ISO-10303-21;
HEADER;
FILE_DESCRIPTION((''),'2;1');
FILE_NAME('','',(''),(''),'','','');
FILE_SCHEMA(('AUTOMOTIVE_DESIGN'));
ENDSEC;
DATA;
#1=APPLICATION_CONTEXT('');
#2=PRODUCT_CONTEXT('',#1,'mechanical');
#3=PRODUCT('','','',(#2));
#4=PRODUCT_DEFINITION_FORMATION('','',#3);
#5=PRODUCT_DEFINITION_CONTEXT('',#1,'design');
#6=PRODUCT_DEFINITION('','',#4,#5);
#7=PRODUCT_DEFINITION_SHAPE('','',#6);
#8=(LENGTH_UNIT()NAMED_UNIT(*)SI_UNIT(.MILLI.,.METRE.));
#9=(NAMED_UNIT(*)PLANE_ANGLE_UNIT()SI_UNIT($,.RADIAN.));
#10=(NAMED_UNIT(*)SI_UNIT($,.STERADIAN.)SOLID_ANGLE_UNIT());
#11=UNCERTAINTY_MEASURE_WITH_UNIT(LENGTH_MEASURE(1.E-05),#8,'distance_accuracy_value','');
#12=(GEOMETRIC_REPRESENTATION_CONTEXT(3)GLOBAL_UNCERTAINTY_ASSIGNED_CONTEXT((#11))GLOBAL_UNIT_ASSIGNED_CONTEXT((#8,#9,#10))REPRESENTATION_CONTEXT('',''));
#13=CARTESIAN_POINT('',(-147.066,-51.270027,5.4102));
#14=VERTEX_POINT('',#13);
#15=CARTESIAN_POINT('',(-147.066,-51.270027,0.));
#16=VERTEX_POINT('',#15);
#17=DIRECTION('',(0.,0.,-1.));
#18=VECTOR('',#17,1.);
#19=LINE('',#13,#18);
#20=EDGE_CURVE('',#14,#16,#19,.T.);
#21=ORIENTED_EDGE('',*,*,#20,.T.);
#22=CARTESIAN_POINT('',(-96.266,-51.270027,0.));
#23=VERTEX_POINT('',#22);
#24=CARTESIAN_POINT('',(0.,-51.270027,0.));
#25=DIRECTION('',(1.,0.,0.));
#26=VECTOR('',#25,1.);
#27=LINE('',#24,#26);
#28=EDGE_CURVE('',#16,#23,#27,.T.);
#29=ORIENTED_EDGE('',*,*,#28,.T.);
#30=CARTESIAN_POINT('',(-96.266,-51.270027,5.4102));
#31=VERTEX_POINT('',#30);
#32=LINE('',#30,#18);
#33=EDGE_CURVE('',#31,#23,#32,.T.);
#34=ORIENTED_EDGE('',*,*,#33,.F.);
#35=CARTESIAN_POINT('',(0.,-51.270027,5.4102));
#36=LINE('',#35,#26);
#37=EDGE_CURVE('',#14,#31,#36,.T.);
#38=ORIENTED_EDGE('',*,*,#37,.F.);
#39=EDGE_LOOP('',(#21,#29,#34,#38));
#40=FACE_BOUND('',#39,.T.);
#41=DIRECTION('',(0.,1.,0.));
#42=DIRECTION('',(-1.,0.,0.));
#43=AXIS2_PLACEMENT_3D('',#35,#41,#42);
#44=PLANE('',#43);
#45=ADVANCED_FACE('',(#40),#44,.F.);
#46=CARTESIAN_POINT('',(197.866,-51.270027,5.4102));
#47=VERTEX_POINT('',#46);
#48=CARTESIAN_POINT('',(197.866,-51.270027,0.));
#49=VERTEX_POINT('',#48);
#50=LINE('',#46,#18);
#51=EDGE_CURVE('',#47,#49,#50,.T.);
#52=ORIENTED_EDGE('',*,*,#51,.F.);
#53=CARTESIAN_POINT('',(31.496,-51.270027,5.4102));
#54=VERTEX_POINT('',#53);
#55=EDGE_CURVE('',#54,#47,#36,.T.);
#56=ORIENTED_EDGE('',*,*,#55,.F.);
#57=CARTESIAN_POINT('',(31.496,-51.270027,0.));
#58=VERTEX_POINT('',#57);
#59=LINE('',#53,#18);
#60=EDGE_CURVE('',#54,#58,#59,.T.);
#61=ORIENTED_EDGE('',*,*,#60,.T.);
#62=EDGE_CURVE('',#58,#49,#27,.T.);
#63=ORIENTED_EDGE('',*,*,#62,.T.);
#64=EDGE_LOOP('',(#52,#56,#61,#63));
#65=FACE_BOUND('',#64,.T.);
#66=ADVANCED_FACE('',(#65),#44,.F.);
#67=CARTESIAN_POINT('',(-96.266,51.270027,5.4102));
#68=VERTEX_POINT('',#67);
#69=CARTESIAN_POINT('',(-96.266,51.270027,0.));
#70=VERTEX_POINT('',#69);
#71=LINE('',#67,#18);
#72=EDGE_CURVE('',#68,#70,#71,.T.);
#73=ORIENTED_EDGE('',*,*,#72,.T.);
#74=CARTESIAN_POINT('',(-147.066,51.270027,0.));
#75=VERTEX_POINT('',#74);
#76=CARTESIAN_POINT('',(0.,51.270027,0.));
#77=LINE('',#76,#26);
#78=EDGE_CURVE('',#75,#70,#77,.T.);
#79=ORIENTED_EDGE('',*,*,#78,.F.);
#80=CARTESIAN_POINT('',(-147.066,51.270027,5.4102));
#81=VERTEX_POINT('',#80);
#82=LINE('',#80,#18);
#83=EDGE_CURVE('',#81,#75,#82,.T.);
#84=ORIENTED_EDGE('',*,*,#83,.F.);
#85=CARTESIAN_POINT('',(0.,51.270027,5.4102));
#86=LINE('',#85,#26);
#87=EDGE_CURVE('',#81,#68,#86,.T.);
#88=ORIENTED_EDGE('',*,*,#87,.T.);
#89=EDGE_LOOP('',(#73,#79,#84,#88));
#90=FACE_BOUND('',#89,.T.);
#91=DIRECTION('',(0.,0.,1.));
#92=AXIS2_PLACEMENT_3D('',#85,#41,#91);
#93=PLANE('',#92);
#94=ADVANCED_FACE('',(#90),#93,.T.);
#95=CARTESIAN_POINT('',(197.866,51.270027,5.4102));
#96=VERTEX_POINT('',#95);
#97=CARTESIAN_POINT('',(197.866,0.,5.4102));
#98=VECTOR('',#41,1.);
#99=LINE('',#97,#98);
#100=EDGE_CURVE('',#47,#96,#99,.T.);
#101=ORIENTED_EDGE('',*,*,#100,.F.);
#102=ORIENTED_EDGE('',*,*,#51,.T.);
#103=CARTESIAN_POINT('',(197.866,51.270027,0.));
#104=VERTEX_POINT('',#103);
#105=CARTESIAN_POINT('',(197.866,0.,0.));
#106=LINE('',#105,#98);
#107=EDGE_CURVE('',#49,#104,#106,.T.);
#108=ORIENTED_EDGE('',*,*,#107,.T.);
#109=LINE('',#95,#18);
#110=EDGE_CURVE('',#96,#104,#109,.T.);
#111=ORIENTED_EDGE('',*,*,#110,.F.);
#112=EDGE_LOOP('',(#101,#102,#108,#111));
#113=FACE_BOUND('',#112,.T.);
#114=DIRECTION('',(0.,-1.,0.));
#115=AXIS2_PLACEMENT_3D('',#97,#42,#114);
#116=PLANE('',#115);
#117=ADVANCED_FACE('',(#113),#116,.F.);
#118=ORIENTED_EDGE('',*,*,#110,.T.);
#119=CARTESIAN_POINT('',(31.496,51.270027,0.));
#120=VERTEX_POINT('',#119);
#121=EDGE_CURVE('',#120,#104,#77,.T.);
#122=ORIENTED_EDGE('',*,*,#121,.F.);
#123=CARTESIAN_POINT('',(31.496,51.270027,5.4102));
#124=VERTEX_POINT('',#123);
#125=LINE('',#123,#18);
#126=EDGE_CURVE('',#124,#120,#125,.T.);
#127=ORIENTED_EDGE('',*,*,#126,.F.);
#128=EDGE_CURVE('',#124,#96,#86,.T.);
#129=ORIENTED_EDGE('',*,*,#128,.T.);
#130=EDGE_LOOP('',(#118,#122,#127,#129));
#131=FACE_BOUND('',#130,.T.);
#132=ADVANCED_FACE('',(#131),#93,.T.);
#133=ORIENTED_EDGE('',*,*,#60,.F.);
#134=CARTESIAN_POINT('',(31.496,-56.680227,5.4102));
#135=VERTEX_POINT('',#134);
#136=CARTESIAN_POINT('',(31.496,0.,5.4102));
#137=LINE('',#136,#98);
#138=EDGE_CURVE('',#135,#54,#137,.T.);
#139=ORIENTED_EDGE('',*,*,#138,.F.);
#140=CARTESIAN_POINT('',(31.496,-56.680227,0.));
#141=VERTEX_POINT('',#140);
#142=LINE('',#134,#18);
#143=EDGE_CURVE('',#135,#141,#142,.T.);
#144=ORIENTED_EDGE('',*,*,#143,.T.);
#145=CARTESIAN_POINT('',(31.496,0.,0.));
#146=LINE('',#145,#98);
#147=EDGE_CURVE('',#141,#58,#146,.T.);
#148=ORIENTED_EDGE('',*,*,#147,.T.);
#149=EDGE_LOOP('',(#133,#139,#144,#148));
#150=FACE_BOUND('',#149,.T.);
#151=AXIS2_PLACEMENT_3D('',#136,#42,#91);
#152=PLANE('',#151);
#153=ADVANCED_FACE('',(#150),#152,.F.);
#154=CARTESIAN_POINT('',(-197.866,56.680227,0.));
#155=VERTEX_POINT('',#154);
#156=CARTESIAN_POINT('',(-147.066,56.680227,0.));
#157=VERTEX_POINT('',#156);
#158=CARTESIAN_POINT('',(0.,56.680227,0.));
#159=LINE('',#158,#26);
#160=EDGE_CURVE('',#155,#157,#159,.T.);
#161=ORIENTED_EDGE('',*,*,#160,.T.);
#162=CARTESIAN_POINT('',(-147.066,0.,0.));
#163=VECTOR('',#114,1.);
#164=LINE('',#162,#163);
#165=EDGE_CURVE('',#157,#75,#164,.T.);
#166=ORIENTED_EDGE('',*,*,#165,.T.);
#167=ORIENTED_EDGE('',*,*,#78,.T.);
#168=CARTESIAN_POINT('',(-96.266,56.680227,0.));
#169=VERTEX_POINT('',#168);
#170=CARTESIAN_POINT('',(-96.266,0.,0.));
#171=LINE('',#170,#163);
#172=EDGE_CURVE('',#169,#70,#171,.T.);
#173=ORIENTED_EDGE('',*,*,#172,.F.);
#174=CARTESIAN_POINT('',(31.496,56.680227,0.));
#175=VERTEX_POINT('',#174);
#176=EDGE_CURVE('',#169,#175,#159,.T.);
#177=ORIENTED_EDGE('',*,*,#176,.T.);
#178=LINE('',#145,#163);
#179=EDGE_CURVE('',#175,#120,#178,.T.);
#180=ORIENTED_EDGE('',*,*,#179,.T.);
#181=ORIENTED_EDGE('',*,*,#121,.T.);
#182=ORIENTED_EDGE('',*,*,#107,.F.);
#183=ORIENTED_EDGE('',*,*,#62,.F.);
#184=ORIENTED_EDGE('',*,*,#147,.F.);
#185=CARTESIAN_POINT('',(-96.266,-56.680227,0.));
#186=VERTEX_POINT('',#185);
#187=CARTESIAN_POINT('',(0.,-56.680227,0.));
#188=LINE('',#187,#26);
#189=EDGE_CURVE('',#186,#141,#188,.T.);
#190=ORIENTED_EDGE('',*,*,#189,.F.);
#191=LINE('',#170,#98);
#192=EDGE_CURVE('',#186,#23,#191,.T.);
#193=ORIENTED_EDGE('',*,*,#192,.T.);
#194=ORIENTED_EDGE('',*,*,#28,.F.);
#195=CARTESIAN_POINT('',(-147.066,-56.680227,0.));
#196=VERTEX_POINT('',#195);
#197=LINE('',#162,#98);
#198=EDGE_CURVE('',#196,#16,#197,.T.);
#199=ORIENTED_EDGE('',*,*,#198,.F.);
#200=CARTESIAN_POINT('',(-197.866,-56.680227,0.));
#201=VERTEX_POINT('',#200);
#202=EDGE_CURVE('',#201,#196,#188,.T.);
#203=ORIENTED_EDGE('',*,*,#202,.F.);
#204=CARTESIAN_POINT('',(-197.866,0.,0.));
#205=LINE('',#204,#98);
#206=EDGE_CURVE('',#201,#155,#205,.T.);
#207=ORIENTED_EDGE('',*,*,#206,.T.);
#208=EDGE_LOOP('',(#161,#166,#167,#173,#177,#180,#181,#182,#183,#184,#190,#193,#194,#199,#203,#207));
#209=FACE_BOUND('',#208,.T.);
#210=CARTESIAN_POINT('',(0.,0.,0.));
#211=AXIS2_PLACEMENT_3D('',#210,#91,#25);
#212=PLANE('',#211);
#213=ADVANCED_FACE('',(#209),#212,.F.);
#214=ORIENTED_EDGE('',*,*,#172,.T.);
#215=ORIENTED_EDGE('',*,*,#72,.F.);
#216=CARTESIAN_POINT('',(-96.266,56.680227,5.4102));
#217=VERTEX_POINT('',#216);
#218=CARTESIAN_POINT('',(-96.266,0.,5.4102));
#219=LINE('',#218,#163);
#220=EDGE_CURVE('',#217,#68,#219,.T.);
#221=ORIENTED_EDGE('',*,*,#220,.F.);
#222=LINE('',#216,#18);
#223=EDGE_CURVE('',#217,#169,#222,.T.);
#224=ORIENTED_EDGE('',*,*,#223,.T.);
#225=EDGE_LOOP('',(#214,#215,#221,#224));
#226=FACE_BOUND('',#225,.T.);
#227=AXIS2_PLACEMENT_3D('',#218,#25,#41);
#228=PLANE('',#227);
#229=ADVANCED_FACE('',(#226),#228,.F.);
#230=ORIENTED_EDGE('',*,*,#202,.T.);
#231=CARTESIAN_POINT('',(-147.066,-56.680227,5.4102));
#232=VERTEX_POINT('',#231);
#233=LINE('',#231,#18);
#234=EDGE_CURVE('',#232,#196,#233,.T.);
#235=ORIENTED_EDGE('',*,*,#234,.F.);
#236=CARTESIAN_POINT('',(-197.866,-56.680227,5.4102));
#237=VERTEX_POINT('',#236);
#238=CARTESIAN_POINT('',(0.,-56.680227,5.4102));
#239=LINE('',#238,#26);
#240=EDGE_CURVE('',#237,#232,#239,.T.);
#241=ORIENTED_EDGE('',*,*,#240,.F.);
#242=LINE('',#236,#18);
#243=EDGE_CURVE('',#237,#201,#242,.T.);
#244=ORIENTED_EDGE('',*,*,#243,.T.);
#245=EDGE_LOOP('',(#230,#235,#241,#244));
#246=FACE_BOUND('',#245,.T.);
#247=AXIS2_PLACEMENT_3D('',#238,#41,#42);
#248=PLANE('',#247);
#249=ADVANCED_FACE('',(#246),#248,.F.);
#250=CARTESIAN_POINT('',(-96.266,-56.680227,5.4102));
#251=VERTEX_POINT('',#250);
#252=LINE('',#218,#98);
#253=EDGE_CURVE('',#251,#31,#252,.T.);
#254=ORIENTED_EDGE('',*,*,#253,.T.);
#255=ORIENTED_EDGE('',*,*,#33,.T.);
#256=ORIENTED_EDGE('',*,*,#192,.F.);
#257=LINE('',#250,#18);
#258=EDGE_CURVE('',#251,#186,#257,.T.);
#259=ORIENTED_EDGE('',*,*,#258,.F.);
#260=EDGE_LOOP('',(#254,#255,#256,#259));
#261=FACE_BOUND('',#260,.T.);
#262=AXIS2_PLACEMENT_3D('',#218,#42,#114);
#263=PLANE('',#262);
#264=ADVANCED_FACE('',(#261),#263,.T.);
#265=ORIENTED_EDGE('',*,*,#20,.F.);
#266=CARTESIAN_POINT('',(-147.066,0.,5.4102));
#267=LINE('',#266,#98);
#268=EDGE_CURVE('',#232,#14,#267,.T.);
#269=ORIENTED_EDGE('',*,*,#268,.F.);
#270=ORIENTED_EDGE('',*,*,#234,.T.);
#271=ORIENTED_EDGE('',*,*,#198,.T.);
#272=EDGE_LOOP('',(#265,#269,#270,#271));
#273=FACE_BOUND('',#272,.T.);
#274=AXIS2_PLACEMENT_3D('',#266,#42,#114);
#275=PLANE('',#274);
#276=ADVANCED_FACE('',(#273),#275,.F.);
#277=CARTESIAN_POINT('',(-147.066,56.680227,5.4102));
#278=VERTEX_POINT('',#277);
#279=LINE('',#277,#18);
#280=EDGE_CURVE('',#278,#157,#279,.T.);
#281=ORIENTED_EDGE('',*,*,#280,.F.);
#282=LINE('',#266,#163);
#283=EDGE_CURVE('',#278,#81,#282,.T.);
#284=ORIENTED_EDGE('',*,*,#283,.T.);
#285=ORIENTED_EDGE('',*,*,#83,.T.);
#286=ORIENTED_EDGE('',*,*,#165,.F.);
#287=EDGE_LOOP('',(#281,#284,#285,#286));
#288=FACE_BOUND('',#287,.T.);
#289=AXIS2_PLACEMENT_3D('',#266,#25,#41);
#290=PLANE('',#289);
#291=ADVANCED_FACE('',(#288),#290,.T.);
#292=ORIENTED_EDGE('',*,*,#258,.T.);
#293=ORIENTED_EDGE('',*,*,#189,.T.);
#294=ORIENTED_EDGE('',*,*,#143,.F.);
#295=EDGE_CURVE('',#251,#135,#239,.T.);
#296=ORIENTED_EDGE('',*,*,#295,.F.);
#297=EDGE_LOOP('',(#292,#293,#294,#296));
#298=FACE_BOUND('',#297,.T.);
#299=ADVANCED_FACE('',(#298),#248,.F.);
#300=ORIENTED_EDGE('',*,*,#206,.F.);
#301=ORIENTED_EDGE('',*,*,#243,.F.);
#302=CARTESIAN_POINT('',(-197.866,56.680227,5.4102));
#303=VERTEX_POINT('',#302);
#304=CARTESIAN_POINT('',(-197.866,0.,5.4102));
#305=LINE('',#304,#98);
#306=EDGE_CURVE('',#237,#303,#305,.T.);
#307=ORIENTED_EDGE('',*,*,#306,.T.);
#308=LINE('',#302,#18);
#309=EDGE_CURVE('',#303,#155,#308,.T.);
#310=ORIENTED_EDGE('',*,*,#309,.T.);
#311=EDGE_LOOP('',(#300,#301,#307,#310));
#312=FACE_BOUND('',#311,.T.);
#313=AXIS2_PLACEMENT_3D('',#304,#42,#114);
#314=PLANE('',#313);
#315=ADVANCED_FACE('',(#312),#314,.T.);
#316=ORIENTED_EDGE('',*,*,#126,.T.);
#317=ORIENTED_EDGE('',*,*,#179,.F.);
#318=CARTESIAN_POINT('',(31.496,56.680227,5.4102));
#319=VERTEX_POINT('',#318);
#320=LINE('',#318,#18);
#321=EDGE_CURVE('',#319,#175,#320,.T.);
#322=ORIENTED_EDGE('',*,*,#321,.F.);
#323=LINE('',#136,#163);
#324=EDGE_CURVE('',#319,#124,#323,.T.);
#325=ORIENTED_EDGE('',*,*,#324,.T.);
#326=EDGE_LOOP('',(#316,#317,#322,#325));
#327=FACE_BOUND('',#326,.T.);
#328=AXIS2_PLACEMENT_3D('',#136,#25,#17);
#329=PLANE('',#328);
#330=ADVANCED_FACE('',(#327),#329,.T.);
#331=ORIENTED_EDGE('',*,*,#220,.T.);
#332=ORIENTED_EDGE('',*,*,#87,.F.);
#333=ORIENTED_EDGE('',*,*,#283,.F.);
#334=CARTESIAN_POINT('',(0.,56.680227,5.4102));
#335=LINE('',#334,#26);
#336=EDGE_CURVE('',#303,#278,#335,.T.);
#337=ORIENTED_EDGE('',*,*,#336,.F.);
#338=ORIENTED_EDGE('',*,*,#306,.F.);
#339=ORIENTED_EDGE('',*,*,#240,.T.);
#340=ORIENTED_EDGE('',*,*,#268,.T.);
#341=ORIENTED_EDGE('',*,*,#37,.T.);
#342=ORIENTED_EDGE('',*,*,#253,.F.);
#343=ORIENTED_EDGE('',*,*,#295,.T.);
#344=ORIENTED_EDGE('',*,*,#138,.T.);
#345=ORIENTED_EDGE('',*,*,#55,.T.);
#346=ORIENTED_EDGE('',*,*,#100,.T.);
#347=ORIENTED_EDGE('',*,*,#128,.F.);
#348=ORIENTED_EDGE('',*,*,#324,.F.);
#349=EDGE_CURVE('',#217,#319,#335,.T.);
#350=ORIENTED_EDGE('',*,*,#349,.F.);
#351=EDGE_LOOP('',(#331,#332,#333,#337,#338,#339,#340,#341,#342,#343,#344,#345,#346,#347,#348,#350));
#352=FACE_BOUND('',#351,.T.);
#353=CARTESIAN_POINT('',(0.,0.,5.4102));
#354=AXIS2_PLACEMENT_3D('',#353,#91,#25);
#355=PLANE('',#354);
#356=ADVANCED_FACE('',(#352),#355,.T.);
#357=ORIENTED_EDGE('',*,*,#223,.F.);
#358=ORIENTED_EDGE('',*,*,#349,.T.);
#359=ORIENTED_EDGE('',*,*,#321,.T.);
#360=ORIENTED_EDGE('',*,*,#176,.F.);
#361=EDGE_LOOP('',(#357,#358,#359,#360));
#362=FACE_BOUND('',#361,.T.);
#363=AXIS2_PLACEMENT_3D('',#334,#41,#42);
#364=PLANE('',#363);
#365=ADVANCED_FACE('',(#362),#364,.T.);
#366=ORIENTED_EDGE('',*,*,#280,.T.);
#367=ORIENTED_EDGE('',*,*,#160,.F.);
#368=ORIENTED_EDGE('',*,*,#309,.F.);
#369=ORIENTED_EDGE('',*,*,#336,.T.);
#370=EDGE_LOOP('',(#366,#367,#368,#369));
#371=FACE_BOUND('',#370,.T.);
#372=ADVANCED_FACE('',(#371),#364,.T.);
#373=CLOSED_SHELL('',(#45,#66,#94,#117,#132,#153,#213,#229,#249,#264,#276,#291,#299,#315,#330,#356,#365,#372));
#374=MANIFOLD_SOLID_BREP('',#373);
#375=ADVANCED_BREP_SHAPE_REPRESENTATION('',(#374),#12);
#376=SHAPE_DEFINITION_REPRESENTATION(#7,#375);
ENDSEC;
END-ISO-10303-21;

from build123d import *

# Parameters (mm, degrees)
BOSS_EXTRUDE1_DEPTH = 5.4102


with BuildPart() as part:
    # Sketch1 → Boss-Extrude1 (new body)
    with BuildSketch(Plane.XY):
        Polygon((-197.866, -56.680227), (-147.066, -56.680227), (-147.066, -51.270027), (-96.266, -51.270027), (-96.266, -56.680227), (31.496, -56.680227), (31.496, -51.270027), (197.866, -51.270027), (197.866, 51.270027), (31.496, 51.270027), (31.496, 56.680227), (-96.266, 56.680227), (-96.266, 51.270027), (-147.066, 51.270027), (-147.066, 56.680227), (-197.866, 56.680227), align=None)
    extrude(amount=BOSS_EXTRUDE1_DEPTH)


solid = part.part
